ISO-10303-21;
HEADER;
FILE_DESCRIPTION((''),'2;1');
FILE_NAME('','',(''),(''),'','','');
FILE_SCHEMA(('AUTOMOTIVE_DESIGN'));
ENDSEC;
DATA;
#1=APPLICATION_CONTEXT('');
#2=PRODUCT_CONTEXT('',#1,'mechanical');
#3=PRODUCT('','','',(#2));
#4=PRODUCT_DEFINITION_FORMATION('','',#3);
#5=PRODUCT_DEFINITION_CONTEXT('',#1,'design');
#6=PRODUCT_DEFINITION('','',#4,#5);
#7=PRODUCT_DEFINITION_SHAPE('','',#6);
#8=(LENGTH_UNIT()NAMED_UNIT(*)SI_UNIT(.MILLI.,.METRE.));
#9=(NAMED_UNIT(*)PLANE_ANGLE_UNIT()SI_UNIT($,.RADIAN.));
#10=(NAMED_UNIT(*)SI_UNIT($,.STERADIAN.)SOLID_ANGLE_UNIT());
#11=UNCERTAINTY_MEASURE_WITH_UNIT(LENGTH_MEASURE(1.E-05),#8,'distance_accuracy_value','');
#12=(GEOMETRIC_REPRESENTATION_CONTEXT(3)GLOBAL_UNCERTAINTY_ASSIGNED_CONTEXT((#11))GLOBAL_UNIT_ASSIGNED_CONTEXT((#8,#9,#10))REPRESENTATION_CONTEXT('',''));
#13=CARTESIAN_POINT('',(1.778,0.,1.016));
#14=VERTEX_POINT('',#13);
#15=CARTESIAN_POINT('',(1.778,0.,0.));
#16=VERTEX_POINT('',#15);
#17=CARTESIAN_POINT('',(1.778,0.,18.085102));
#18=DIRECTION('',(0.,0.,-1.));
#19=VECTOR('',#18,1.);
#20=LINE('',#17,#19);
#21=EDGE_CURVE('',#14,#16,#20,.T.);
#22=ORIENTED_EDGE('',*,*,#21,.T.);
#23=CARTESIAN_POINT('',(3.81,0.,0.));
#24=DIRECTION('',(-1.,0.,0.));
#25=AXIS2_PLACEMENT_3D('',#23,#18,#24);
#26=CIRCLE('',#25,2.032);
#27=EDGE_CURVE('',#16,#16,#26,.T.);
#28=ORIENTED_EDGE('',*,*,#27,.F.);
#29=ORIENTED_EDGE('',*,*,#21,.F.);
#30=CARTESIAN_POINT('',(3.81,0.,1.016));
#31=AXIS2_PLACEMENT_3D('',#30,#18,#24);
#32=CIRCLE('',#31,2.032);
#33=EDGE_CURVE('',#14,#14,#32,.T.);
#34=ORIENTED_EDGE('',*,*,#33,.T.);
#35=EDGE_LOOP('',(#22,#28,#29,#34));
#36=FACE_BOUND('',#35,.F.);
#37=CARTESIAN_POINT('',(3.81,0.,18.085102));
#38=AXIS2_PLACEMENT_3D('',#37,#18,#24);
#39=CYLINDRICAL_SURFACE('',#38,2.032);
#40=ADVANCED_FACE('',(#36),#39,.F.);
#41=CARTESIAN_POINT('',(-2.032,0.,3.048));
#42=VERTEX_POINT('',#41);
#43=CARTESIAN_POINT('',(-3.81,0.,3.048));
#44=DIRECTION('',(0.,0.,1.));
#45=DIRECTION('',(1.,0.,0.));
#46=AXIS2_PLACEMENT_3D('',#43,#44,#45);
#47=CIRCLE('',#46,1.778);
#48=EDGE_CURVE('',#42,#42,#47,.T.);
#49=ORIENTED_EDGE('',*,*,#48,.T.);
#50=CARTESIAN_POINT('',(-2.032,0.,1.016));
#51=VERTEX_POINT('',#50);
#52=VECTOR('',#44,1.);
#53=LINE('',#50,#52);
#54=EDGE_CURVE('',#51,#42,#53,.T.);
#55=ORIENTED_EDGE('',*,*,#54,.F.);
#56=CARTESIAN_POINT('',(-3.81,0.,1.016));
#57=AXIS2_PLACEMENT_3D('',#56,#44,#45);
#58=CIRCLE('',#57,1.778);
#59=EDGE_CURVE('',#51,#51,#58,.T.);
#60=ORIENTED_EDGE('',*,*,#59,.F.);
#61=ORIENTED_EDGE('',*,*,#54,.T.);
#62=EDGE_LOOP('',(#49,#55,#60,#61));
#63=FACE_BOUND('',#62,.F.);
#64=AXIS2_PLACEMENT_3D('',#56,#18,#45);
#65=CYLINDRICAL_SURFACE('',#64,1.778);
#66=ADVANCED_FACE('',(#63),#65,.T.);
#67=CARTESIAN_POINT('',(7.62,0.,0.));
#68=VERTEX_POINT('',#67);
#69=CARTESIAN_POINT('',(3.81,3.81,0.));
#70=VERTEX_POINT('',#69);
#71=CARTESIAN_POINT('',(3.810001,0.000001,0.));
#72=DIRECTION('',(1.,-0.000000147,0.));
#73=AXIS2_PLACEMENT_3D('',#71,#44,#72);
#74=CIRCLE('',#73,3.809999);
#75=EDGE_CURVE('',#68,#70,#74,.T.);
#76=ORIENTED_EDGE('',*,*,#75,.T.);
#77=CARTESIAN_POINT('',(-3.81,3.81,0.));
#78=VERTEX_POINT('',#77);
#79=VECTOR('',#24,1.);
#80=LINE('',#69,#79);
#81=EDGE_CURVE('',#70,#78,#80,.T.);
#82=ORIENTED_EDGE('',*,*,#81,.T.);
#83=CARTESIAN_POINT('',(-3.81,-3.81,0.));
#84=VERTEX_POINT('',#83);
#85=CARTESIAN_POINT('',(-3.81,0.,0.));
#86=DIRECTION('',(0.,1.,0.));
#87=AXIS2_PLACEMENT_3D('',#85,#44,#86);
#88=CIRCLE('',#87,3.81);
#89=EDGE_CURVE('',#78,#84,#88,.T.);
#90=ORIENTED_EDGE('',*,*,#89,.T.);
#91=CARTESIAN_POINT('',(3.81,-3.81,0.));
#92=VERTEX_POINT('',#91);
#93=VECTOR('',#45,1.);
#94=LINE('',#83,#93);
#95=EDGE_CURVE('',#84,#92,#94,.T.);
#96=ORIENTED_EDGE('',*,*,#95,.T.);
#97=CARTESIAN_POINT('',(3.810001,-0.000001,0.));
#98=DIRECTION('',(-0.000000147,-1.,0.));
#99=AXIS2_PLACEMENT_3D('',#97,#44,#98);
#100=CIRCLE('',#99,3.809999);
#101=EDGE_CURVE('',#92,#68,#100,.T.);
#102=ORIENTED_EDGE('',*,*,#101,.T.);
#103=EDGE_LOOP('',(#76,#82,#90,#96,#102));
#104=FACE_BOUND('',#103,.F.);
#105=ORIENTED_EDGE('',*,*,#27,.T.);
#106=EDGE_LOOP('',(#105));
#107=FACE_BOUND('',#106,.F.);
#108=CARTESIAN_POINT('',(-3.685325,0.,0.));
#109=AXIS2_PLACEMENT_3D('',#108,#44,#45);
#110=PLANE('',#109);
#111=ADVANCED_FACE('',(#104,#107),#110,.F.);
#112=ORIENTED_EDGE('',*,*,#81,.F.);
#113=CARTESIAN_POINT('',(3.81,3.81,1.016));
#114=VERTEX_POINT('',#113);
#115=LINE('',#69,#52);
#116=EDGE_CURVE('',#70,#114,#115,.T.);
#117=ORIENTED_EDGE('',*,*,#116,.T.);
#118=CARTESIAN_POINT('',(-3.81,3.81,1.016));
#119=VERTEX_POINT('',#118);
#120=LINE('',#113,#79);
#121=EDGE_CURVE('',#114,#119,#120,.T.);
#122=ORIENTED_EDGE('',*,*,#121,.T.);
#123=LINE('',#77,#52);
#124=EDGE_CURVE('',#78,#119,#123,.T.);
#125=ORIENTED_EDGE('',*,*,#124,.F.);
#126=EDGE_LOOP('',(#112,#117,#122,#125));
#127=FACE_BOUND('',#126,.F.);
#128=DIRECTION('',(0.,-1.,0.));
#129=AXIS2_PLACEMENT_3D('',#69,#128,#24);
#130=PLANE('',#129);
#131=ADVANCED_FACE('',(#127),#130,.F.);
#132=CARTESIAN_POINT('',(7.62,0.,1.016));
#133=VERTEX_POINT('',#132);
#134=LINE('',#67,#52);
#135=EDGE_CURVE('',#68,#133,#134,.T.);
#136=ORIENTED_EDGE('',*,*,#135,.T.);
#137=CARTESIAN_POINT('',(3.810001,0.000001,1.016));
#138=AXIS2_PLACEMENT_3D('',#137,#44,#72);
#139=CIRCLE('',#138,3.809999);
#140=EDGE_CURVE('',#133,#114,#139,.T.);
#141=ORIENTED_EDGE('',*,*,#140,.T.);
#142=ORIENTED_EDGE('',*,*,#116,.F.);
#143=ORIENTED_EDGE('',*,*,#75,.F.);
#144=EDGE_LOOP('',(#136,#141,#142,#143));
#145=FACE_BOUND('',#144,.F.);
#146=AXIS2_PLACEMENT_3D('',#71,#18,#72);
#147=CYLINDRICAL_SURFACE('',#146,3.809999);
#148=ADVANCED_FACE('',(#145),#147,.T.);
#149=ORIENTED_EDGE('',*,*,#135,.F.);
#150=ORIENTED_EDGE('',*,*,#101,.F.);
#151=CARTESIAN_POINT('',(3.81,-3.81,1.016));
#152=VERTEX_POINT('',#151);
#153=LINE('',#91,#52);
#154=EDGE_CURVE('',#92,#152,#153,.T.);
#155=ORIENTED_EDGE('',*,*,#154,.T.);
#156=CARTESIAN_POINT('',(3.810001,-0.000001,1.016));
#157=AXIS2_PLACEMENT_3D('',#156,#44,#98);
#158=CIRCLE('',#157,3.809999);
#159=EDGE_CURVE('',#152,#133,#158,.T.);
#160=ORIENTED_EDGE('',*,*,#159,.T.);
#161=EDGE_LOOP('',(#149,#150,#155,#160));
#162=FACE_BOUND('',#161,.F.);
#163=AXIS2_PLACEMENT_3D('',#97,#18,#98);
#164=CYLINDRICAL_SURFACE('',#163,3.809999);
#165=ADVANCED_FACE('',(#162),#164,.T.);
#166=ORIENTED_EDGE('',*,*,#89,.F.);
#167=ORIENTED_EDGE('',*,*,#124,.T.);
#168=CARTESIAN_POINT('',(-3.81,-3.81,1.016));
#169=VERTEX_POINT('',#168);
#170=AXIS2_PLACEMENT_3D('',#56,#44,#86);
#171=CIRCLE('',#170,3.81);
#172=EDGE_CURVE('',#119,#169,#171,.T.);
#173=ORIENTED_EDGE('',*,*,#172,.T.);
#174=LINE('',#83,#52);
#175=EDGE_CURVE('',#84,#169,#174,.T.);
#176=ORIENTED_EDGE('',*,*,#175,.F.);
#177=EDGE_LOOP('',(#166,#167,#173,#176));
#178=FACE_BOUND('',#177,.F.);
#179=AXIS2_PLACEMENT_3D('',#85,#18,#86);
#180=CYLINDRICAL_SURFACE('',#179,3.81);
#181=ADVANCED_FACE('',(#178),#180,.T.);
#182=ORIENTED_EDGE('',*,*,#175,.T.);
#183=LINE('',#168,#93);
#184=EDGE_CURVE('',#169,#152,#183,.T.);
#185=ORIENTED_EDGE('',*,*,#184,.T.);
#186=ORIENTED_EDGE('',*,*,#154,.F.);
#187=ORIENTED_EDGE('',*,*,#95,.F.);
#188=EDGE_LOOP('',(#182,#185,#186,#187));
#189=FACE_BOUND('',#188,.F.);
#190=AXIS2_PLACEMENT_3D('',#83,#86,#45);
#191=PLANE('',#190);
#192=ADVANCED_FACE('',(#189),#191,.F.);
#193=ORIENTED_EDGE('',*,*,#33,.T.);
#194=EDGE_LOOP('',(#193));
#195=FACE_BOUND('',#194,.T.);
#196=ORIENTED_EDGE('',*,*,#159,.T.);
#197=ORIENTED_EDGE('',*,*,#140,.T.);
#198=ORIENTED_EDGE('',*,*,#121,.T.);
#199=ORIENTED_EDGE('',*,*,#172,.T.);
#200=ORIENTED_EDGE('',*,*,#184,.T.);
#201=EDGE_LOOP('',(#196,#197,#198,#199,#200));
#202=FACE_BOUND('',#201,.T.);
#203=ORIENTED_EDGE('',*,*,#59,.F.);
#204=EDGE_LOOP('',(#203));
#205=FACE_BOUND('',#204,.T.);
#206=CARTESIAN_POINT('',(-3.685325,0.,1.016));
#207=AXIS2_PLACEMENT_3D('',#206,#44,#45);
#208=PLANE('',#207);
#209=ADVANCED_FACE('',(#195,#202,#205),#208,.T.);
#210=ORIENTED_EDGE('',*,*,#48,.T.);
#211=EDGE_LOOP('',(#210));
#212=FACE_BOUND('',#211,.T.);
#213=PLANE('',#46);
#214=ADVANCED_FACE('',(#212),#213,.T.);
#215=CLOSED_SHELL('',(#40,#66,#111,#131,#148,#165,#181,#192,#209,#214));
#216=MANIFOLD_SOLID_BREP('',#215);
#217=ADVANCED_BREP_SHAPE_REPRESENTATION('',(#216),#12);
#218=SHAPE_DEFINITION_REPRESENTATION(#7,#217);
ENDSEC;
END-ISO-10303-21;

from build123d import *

# Parameters (mm, degrees)
F1_DEPTH = 1.016
F3_D     = 4.064
F4_R     = 1.778
F5_DEPTH = 2.032


with BuildPart() as f1:
    # F0 (on Top) → F1 (new body)
    with BuildSketch(Plane.XY):
        with BuildLine():
            ThreePointArc((-3.81, -3.81), (-1.115923, -2.694077), (0, 0))
            ThreePointArc((0, 0), (-1.115923, 2.694077), (-3.81, 3.81))
            ThreePointArc((-3.81, 3.81), (-7.62, 0), (-3.81, -3.81))
        make_face()
        with BuildLine():
            ThreePointArc((3.81, 3.81), (1.115923, 2.694077), (0, 0))
            ThreePointArc((0, 0), (1.115923, -2.694077), (3.81, -3.81))
            ThreePointArc((3.81, -3.81), (6.504077, -2.694077), (7.62, 0))
            ThreePointArc((7.62, 0), (6.504077, 2.694077), (3.81, 3.81))
        make_face()
        with BuildLine():
            ThreePointArc((3.81, -3.81), (1.115923, -2.694077), (0, 0))
            ThreePointArc((0, 0), (-1.115923, -2.694077), (-3.81, -3.81))
            Line((-3.81, -3.81), (3.81, -3.81))
        make_face()
        with BuildLine():
            ThreePointArc((-3.81, 3.81), (-1.115923, 2.694077), (0, 0))
            ThreePointArc((0, 0), (1.115923, 2.694077), (3.81, 3.81))
            Line((3.81, 3.81), (-3.81, 3.81))
        make_face()
    extrude(amount=F1_DEPTH)

    # F3 (through all)
    with Locations(Plane.XY.offset(1.016)):
        with Locations((3.81, 0)):
            Hole(F3_D / 2)

    # F4 (on face) → F5 (join)
    with BuildSketch(Plane.XY.offset(1.016)):
        with Locations((-3.81, 0)):
            Circle(F4_R)
    extrude(amount=F5_DEPTH)


solid = f1.part
